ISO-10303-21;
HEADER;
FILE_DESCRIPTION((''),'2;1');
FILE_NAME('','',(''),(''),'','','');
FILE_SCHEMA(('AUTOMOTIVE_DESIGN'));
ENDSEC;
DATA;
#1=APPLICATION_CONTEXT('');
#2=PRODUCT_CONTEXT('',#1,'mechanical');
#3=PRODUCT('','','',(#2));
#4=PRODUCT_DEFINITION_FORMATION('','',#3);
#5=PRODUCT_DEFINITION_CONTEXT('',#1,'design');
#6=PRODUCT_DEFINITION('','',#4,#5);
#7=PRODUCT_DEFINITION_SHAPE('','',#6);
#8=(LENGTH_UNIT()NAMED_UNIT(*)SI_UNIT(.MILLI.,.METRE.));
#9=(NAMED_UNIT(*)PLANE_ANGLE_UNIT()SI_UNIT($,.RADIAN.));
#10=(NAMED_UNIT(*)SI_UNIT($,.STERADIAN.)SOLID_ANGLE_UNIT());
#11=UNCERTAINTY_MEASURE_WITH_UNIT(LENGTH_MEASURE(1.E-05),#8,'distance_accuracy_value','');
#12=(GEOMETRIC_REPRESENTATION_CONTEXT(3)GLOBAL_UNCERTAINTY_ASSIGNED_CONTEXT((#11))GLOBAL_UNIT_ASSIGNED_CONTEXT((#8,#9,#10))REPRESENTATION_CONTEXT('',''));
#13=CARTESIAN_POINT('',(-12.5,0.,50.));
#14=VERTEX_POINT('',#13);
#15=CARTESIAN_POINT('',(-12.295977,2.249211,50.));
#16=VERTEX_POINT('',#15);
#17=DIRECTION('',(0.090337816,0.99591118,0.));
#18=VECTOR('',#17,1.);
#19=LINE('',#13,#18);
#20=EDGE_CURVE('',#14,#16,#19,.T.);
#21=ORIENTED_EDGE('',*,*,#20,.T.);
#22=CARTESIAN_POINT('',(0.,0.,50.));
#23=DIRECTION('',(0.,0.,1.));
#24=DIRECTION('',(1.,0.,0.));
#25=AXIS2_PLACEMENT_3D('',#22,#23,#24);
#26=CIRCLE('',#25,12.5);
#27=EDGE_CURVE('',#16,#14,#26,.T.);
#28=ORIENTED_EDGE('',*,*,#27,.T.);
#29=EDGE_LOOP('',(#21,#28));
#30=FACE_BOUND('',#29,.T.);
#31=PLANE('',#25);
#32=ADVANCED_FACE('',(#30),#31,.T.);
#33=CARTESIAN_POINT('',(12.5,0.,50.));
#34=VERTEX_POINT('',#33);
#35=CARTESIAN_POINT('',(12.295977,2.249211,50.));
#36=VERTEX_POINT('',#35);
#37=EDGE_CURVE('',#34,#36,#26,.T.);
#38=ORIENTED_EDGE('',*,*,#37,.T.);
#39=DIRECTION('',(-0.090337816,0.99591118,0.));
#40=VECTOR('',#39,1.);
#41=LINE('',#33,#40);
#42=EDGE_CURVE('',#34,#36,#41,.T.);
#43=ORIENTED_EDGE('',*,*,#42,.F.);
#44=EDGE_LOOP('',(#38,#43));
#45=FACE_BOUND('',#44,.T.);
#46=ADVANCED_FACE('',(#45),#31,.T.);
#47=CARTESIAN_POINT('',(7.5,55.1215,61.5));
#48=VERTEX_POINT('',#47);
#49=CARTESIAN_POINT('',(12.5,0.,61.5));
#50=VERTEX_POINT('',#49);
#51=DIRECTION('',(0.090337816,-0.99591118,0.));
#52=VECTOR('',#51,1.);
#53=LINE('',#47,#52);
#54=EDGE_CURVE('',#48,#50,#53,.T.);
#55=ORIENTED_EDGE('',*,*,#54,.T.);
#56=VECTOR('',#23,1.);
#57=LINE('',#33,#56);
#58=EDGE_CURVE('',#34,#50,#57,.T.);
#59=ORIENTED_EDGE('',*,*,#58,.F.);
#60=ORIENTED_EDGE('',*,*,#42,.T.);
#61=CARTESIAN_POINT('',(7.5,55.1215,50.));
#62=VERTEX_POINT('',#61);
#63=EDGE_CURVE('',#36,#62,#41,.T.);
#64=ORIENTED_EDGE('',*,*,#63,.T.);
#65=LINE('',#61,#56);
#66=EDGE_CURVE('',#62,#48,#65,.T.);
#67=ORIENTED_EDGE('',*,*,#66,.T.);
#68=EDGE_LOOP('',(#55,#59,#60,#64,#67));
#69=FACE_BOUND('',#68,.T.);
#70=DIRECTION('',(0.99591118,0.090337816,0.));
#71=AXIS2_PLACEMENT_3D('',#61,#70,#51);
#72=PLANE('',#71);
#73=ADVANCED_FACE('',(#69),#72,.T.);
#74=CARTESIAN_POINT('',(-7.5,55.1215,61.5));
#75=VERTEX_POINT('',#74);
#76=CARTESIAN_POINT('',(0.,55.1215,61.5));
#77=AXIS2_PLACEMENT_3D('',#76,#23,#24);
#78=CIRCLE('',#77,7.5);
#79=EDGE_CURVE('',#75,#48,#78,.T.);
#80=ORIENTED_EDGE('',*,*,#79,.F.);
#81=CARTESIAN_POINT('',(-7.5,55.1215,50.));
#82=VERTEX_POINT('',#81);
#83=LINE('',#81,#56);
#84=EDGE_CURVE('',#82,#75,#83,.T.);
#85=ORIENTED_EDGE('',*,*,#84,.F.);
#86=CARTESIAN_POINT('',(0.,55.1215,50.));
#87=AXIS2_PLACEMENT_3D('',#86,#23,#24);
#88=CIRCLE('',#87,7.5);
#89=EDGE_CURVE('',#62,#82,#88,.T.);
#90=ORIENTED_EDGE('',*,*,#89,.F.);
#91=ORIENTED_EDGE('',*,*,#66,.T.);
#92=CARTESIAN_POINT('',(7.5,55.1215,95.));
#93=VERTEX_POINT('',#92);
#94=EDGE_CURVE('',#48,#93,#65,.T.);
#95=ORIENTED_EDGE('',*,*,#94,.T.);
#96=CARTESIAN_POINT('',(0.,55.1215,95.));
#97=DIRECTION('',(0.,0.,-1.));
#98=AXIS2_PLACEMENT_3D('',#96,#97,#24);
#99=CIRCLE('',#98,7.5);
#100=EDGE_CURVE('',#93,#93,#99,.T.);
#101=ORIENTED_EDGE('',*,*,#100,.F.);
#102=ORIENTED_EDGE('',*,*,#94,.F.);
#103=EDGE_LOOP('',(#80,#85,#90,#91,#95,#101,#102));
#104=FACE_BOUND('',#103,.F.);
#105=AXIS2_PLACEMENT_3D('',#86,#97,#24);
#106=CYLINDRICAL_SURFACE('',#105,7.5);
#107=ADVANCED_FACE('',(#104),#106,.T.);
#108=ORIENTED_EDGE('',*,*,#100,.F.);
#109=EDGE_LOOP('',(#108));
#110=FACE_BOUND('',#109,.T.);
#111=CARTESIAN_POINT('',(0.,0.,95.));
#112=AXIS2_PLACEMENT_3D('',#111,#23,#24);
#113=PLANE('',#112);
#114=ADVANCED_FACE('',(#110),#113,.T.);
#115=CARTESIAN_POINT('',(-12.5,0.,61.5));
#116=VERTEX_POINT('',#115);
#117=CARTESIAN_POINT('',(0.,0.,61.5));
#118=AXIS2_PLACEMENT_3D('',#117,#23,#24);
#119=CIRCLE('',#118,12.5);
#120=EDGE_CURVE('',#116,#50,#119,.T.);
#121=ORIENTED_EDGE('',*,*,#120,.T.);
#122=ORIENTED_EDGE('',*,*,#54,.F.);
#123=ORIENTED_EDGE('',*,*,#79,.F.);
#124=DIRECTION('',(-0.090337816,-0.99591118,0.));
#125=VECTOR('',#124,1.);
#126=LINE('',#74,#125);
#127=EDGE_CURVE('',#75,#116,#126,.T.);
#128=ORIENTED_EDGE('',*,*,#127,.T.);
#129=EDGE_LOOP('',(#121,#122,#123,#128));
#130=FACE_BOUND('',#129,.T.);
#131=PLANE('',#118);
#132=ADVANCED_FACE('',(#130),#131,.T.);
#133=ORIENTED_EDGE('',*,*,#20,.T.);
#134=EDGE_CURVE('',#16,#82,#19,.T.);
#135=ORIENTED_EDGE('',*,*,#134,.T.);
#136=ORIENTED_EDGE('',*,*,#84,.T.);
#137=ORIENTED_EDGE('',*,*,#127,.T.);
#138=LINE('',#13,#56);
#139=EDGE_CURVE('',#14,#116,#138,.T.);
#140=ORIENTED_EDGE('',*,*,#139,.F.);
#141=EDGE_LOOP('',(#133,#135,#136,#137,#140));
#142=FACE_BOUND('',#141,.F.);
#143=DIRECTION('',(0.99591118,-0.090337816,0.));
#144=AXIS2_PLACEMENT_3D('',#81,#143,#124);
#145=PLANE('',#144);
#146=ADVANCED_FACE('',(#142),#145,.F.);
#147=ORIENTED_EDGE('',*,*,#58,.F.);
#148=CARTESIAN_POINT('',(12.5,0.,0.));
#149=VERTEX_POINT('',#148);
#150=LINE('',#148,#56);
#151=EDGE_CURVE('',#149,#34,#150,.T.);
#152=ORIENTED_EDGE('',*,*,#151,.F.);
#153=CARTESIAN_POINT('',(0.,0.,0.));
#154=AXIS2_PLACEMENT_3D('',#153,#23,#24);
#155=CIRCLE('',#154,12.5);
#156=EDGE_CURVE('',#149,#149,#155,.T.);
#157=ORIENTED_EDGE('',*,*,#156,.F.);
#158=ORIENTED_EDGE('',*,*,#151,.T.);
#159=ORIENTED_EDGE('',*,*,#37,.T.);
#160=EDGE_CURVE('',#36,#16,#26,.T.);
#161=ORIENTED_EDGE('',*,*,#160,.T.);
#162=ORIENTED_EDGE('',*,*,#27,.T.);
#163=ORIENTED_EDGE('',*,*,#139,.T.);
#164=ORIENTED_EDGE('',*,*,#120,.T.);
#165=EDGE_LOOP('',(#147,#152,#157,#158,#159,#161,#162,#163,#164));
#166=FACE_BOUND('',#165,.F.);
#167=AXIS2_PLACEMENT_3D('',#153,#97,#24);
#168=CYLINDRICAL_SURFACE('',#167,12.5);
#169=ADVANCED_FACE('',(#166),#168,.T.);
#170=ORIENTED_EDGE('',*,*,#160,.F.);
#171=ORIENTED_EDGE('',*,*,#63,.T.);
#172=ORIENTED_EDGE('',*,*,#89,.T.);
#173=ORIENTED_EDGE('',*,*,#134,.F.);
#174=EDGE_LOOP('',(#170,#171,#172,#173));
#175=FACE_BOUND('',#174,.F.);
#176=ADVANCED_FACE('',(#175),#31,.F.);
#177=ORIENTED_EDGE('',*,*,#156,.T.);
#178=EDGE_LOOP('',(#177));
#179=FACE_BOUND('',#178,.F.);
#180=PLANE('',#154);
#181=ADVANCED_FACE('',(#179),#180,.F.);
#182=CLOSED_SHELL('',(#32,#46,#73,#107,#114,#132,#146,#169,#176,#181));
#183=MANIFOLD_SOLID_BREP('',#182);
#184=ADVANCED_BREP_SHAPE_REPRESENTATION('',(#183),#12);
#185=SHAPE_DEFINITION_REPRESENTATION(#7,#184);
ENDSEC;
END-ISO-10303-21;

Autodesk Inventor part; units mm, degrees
ref_plane "YZ Plane" through (0, 0, 0) normal (1, 0, 0) x (0, 1, 0)
ref_plane "XZ Plane" through (0, 0, 0) normal (0, 1, 0) x (-1, 0, 0)
ref_plane "XY Plane" through (0, 0, 0) normal (0, 0, 1) x (1, 0, 0)
sketch "Sketch1" plane through (0, 0, 0) normal (0, 0, 1) x (1, 0, 0)
  circle A0 centre (0, 0) radius 12.5
  dimension "d0" = 25
extrude "Extrusion1" add sketch "Sketch1" along normal blind 50
sketch "Sketch2" plane through (0, 0, 50) normal (0, 0, 1) x (1, 0, 0)
  circle A0 centre (0, 55.1215) radius 7.5
  line L0 (-7.5, 55.1215) -> (-12.5, 0)
  circle A1 centre (0, 0) radius 12.5 projected
  line L1 (7.5, 55.1215) -> (12.5, 0)
  dimension "d3" = 15
extrude "Extrusion2" add sketch "Sketch2" along normal blind 11.5 contours L1 A1 L0 A0 | L1 A1 L0
extrude "Extrusion3" add sketch "Sketch2" along normal blind 45 contours A0
